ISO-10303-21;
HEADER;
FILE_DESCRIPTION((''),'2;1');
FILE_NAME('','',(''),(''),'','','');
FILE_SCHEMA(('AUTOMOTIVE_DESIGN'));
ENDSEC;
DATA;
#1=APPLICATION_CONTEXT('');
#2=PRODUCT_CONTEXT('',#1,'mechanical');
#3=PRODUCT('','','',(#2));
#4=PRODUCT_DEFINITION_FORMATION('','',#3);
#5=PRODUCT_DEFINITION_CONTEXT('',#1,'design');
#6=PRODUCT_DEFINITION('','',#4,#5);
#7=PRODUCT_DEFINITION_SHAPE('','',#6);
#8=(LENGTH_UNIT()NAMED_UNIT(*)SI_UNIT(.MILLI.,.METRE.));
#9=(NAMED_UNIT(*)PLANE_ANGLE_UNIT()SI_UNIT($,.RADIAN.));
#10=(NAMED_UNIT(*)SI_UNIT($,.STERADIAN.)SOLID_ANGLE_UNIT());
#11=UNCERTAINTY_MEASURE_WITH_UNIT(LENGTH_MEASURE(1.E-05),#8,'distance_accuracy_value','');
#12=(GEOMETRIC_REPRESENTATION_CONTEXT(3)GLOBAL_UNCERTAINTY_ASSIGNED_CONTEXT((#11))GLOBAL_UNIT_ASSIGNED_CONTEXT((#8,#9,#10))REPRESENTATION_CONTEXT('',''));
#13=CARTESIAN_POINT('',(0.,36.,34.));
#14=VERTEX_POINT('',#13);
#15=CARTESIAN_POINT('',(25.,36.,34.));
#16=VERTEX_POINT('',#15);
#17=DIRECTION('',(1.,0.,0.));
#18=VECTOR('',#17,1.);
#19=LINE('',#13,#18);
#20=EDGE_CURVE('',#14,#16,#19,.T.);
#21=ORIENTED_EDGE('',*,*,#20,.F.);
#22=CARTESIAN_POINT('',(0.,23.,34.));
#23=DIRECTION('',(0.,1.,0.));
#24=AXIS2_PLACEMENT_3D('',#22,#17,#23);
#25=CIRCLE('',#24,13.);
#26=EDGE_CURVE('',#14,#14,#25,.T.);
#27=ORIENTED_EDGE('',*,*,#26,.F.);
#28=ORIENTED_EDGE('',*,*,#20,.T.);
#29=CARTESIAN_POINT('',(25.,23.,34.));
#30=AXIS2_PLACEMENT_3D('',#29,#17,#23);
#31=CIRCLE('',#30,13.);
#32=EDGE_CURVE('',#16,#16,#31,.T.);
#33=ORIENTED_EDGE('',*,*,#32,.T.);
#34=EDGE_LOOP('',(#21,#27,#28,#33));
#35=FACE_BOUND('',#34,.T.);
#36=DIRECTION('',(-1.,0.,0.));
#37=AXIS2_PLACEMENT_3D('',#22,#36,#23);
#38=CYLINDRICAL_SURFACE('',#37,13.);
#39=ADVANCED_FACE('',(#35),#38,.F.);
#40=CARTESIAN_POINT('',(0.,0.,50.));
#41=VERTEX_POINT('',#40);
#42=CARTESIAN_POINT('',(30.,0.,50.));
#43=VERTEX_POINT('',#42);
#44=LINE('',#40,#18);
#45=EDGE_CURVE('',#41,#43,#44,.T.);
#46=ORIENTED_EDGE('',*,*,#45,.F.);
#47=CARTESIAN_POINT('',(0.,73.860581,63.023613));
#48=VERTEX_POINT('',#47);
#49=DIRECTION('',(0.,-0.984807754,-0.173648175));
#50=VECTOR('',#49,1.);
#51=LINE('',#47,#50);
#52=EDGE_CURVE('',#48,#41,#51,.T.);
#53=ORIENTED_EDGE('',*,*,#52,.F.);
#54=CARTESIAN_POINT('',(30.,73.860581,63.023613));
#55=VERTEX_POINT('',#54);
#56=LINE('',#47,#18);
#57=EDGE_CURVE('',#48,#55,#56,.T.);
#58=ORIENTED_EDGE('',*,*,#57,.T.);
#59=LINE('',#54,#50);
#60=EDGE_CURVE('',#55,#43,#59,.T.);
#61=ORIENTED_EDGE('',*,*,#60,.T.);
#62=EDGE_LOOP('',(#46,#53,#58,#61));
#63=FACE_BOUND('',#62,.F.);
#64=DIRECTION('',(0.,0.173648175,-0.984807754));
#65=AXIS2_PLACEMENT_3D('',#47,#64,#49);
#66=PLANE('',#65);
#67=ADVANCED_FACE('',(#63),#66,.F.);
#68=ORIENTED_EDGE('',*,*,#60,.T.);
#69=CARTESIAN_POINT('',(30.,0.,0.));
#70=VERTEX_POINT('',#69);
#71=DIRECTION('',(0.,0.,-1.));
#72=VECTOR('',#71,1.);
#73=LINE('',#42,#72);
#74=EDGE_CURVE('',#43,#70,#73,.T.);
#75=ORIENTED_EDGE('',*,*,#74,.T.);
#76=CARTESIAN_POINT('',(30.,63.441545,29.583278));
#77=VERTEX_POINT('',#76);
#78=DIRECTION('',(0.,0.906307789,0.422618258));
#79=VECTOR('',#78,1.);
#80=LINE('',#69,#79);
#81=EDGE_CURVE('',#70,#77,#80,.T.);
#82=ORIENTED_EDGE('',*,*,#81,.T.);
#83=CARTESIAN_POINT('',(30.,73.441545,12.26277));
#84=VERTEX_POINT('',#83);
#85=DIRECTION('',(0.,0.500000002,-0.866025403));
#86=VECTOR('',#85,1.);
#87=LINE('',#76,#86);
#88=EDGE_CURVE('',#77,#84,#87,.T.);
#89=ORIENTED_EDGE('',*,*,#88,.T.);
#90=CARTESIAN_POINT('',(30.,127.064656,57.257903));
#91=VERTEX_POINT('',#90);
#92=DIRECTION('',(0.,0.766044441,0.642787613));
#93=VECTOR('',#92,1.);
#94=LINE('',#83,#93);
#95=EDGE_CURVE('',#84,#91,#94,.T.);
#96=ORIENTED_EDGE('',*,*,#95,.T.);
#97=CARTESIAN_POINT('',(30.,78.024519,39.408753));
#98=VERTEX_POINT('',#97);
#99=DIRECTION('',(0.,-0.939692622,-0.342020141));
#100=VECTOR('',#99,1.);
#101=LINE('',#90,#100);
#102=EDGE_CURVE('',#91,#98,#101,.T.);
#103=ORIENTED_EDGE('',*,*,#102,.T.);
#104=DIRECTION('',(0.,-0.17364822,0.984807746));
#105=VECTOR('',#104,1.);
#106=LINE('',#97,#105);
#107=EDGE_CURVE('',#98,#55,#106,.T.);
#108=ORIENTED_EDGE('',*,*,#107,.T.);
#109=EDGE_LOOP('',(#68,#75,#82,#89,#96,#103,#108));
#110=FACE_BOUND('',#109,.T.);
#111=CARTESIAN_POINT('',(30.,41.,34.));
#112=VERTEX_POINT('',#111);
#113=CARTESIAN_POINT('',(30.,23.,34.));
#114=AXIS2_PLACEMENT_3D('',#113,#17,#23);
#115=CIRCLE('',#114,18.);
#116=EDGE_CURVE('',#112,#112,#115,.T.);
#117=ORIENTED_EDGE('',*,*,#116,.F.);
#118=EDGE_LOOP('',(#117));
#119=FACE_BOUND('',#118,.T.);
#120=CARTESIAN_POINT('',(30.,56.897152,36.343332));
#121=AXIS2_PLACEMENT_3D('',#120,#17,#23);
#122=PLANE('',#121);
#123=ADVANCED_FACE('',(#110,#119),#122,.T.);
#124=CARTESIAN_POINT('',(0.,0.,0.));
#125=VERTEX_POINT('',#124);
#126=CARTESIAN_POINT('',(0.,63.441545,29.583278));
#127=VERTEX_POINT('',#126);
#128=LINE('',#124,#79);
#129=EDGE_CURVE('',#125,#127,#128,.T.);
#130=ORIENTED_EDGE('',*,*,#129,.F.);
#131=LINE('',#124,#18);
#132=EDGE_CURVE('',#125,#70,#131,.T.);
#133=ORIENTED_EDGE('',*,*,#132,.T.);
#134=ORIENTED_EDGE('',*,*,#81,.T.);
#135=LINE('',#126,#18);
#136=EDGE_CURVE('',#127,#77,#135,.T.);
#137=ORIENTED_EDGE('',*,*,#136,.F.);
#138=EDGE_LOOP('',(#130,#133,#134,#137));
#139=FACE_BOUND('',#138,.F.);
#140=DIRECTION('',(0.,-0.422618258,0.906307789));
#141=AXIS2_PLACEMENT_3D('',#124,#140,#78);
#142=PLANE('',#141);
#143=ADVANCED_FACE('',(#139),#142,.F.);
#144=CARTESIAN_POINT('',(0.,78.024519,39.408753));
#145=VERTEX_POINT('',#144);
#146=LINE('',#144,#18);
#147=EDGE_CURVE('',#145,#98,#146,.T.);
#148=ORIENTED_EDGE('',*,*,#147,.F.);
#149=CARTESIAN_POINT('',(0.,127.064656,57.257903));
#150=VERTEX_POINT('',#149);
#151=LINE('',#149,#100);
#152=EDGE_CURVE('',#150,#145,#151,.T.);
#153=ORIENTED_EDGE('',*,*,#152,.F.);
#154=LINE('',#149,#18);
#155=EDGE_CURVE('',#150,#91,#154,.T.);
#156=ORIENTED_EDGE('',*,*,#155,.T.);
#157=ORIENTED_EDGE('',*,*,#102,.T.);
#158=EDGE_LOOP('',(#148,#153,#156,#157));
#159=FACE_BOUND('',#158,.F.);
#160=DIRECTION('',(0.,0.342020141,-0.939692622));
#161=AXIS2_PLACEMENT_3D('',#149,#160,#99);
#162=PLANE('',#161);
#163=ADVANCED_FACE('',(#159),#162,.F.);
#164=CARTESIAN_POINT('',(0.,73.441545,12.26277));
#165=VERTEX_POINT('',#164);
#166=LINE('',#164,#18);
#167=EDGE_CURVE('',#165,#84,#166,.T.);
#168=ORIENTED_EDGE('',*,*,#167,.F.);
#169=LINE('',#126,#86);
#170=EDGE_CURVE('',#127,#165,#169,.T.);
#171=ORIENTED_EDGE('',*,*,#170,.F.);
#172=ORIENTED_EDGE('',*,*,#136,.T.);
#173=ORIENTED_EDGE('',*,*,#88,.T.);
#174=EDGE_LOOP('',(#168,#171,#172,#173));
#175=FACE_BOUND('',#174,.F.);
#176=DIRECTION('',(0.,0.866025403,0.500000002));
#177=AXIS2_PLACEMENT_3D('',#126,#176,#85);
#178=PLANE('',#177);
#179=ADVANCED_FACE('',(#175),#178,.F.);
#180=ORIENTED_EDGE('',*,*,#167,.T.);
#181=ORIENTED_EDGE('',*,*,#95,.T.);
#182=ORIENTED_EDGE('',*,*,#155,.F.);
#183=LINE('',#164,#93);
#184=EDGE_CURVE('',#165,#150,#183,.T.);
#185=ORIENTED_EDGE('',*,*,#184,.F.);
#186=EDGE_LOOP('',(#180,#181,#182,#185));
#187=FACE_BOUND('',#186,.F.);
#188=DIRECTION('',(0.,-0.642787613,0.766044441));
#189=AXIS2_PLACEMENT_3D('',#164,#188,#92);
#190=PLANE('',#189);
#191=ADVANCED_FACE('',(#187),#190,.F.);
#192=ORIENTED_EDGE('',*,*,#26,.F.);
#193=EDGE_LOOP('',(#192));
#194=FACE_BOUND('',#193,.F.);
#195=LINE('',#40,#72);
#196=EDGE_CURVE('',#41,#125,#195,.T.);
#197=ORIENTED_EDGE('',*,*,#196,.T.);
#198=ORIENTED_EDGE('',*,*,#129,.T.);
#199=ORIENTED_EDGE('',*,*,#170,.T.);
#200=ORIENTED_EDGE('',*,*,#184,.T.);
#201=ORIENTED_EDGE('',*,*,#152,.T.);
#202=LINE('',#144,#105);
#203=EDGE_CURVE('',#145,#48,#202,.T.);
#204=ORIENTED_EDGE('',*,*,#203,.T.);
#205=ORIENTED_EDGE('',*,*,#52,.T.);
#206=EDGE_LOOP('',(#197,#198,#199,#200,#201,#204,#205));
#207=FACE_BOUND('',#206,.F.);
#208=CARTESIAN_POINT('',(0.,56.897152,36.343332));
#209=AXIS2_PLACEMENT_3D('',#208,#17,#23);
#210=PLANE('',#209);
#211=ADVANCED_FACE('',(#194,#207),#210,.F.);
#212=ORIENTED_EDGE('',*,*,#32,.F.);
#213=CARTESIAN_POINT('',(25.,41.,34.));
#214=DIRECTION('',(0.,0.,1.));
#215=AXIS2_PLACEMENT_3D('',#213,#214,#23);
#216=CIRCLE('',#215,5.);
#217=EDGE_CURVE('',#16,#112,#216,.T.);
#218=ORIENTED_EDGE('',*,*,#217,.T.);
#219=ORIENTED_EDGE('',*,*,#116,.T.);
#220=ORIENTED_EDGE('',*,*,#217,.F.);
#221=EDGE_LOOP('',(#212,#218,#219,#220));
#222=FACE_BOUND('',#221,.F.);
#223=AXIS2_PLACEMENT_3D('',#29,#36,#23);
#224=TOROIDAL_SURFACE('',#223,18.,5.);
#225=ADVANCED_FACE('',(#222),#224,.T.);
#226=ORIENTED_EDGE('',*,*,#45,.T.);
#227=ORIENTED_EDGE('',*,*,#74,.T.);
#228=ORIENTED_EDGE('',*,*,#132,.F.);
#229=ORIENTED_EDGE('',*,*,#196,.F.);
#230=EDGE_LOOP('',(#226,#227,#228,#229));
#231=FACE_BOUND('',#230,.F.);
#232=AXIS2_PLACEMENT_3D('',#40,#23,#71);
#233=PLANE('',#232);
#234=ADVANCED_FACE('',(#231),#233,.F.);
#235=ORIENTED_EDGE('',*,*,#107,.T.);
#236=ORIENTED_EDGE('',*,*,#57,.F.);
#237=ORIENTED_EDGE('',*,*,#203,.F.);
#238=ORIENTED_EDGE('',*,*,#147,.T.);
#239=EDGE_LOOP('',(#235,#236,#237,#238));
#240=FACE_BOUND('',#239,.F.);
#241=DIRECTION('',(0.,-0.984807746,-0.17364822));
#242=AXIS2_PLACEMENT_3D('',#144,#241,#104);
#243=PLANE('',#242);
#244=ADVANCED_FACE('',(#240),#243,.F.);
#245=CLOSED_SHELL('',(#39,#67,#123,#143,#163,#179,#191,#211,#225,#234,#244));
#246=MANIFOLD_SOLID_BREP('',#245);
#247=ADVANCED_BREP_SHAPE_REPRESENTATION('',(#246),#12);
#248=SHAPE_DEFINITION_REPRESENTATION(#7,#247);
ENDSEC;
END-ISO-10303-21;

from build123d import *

# Parameters (mm, degrees)
F0_R     = 13
F1_DEPTH = 30
F2_R     = 5


with BuildPart() as f1:
    # F0 (on Right) → F1 (new body)
    with BuildSketch(Plane.YZ):
        Polygon((0, 50), (0, 0), (63.441545, 29.583278), (73.441545, 12.26277), (127.064656, 57.257903), (78.024519, 39.408753), (73.860581, 63.023613), align=None)
        with Locations((23, 34)):
            Circle(F0_R, mode=Mode.SUBTRACT)
    extrude(amount=F1_DEPTH)

    # F2
    f2_edges = [f1.edges().sort_by_distance(p)[0] for p in [
        (30, 10, 34),
    ]]
    fillet(f2_edges, radius=F2_R)


solid = f1.part
